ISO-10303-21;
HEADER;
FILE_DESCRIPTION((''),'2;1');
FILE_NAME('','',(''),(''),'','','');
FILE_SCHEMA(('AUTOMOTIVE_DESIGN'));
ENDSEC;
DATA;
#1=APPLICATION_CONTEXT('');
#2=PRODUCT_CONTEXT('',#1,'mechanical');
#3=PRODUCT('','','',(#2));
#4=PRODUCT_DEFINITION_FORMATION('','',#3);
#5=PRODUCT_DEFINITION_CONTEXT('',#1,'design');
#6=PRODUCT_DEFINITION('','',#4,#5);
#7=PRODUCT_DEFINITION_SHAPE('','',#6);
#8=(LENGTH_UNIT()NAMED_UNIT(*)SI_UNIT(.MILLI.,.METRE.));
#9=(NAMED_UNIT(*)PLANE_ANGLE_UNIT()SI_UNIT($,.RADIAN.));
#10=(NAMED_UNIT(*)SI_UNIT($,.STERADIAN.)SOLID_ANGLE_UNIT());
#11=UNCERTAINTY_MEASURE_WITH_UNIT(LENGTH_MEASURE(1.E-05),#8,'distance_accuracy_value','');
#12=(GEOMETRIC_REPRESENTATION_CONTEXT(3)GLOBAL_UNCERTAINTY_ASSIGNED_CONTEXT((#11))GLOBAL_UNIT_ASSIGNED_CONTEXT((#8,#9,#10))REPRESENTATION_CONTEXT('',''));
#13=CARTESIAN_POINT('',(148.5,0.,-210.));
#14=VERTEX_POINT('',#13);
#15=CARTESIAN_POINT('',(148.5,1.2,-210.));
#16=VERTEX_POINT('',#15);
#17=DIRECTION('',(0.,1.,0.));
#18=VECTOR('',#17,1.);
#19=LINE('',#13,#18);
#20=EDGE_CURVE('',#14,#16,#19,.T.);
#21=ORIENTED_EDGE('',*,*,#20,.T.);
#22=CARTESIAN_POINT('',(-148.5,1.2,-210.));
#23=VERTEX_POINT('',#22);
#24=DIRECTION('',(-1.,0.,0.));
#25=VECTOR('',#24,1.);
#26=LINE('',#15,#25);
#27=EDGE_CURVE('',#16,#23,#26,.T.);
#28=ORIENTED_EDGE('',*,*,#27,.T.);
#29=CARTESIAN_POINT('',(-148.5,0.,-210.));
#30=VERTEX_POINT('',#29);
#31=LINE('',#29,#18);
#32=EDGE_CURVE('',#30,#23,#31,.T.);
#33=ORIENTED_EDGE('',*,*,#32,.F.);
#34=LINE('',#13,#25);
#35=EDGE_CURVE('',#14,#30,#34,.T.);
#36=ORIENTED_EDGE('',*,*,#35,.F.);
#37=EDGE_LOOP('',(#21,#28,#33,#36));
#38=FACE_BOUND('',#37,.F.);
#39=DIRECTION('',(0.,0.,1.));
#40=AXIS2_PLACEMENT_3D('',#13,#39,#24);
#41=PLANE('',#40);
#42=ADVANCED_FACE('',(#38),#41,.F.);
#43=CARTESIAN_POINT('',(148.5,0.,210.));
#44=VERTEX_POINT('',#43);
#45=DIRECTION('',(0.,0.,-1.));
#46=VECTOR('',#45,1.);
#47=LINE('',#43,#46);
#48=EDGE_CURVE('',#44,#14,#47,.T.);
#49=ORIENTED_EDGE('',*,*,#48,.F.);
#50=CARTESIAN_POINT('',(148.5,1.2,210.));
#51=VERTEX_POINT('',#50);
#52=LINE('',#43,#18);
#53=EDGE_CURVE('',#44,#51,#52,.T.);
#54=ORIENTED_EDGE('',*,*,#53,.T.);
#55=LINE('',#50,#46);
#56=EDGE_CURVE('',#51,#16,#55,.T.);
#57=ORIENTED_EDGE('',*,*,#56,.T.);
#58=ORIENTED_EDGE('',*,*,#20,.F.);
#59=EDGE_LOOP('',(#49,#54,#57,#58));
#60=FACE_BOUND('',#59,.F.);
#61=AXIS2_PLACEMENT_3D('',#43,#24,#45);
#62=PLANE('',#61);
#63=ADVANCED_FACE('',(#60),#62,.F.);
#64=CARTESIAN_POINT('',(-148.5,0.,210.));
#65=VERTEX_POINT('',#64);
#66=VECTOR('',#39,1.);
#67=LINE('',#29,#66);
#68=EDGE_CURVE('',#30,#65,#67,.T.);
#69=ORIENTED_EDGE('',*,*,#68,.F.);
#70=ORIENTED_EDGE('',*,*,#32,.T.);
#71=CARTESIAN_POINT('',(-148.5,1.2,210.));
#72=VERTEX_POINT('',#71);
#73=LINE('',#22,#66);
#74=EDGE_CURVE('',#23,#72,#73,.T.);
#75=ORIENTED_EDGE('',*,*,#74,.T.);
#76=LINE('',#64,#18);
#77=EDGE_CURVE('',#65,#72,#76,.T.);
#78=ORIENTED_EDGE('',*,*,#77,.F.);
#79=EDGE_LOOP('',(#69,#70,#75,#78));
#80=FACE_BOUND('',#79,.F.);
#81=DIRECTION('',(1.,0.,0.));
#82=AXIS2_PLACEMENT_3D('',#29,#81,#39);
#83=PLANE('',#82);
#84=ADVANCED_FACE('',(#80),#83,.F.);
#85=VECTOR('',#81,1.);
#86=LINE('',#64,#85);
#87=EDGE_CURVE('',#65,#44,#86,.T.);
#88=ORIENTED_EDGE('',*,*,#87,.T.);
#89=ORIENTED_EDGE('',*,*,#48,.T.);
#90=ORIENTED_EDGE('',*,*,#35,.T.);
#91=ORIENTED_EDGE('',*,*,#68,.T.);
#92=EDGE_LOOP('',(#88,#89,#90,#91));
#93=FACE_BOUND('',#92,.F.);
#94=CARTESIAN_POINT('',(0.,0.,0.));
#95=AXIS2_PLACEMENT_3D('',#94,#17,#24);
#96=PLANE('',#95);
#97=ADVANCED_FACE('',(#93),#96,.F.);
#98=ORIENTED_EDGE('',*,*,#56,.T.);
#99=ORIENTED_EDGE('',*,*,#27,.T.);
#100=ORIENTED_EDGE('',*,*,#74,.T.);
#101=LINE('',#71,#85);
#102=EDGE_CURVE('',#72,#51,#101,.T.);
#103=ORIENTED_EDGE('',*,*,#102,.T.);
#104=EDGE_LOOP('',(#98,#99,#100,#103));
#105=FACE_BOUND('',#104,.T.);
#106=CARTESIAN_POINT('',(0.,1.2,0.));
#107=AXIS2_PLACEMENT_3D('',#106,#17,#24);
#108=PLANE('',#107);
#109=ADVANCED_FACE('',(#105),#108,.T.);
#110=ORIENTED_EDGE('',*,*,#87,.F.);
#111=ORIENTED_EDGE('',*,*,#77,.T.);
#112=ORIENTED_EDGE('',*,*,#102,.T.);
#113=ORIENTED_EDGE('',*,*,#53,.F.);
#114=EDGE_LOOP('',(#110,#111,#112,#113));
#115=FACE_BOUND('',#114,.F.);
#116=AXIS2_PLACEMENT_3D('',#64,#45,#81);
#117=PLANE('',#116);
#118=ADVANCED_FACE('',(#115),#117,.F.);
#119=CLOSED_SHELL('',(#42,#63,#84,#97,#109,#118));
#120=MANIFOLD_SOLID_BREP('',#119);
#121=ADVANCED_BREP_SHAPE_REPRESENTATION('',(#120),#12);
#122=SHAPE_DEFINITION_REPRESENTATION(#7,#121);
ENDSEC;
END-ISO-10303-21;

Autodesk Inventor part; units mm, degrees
ref_plane "YZ Plane" through (0, 0, 0) normal (1, 0, 0) x (0, 1, 0)
ref_plane "XZ Plane" through (0, 0, 0) normal (0, 1, 0) x (-1, 0, 0)
ref_plane "XY Plane" through (0, 0, 0) normal (0, 0, 1) x (1, 0, 0)
sketch "Boceto1" plane through (0, 0, 0) normal (0, 1, 0) x (-1, 0, 0)
  line L0 (-148.5, -210) -> (148.5, -210)
  line L1 (148.5, -210) -> (148.5, 210)
  line L2 (148.5, 210) -> (-148.5, 210)
  line L3 (-148.5, 210) -> (-148.5, -210)
  line L4 (-148.5, -210) -> (148.5, 210) construction
  line L5 (148.5, -210) -> (-148.5, 210) construction
  point P0 (0, 0)
  dimension "d0" = 297
  dimension "d1" = 420
extrude "Extrusión1" add sketch "Boceto1" along normal blind 1.2
properties part number "Plancha"
